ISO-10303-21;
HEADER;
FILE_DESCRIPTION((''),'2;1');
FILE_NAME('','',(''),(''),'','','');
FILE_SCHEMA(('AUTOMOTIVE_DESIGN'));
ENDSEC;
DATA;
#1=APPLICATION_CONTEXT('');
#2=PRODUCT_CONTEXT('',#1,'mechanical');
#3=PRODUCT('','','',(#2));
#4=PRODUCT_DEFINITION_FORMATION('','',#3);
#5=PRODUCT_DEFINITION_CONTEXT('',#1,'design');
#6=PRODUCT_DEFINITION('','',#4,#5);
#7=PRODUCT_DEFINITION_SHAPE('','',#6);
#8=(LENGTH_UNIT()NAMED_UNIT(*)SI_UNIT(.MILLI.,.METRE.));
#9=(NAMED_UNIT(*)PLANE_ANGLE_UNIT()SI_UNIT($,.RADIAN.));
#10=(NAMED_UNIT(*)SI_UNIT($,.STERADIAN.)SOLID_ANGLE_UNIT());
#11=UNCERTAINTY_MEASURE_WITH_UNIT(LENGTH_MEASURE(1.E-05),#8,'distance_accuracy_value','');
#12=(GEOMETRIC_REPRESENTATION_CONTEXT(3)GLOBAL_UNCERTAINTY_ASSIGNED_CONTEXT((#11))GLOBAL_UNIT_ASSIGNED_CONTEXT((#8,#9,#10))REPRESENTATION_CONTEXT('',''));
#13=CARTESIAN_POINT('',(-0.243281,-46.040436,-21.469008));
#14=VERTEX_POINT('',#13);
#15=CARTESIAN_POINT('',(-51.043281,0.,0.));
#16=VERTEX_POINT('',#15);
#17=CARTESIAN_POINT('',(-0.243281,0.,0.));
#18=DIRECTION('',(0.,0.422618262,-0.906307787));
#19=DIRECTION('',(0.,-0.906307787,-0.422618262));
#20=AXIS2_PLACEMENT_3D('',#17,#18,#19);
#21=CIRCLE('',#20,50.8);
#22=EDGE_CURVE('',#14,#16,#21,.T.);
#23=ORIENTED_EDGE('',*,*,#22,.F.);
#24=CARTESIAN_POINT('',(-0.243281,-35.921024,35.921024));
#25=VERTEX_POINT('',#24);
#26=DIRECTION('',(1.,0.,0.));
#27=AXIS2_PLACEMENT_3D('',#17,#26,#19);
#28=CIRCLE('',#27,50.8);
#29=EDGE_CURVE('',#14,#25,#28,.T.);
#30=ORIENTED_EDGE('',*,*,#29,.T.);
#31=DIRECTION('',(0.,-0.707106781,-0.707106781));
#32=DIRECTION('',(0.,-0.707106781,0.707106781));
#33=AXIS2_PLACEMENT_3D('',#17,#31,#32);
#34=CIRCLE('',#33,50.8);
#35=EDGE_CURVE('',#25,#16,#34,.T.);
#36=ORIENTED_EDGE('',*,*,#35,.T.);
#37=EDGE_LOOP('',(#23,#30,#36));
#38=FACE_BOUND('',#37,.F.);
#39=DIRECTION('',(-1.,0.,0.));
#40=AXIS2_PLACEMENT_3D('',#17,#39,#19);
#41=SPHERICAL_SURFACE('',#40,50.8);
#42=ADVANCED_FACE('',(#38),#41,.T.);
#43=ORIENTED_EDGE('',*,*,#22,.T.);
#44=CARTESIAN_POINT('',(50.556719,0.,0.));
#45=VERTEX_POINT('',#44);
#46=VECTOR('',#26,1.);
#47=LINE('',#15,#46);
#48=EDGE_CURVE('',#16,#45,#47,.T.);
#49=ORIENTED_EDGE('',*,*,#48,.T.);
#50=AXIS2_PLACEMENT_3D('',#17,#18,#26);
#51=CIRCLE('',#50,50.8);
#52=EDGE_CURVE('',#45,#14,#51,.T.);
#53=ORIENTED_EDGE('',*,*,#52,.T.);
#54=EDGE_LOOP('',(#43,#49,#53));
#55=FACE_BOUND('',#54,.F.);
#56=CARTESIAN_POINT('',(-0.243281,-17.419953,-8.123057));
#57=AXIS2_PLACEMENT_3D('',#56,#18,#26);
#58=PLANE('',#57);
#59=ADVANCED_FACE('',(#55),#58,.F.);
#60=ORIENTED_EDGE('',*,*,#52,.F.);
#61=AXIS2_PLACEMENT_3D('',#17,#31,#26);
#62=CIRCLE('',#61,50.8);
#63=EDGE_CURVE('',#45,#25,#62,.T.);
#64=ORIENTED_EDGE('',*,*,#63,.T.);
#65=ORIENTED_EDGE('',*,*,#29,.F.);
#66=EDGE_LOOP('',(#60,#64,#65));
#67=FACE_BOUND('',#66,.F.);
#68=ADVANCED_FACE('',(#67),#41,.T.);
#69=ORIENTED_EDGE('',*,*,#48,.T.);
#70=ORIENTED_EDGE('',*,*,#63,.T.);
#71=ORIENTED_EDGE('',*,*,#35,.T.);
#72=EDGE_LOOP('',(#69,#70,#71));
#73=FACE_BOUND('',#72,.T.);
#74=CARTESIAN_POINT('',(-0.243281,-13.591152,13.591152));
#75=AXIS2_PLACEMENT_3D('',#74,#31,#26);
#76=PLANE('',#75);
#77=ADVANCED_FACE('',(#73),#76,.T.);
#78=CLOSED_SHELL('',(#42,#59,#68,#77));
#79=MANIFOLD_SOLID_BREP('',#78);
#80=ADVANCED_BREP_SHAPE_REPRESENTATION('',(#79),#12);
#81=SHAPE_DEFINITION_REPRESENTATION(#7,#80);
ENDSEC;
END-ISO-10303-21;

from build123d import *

# Parameters (mm, degrees)
F1_ANGLE_BACK = 155
F1_ANGLE      = 290


with BuildPart() as f1:
    # F0 (on Top) → F1 (revolve)
    with BuildSketch(Plane.XY, mode=Mode.PRIVATE) as f1_sk:
        with BuildLine():
            ThreePointArc((-0.2432806702, 50.8), (-36.1643051545, 35.9210244843), (-51.0432806702, 0))
            Line((-51.0432806702, 0), (50.5567193298, 0))
            ThreePointArc((50.5567193298, 0), (35.6777438141, 35.9210244843), (-0.2432806702, 50.8))
        make_face()
    revolve(f1_sk.sketch.rotate(Axis((-0.2432806702, 0, 0), (1, 0, 0)), -F1_ANGLE_BACK), axis=Axis((-0.2432806702, 0, 0), (1, 0, 0)), revolution_arc=F1_ANGLE)


solid = f1.part
